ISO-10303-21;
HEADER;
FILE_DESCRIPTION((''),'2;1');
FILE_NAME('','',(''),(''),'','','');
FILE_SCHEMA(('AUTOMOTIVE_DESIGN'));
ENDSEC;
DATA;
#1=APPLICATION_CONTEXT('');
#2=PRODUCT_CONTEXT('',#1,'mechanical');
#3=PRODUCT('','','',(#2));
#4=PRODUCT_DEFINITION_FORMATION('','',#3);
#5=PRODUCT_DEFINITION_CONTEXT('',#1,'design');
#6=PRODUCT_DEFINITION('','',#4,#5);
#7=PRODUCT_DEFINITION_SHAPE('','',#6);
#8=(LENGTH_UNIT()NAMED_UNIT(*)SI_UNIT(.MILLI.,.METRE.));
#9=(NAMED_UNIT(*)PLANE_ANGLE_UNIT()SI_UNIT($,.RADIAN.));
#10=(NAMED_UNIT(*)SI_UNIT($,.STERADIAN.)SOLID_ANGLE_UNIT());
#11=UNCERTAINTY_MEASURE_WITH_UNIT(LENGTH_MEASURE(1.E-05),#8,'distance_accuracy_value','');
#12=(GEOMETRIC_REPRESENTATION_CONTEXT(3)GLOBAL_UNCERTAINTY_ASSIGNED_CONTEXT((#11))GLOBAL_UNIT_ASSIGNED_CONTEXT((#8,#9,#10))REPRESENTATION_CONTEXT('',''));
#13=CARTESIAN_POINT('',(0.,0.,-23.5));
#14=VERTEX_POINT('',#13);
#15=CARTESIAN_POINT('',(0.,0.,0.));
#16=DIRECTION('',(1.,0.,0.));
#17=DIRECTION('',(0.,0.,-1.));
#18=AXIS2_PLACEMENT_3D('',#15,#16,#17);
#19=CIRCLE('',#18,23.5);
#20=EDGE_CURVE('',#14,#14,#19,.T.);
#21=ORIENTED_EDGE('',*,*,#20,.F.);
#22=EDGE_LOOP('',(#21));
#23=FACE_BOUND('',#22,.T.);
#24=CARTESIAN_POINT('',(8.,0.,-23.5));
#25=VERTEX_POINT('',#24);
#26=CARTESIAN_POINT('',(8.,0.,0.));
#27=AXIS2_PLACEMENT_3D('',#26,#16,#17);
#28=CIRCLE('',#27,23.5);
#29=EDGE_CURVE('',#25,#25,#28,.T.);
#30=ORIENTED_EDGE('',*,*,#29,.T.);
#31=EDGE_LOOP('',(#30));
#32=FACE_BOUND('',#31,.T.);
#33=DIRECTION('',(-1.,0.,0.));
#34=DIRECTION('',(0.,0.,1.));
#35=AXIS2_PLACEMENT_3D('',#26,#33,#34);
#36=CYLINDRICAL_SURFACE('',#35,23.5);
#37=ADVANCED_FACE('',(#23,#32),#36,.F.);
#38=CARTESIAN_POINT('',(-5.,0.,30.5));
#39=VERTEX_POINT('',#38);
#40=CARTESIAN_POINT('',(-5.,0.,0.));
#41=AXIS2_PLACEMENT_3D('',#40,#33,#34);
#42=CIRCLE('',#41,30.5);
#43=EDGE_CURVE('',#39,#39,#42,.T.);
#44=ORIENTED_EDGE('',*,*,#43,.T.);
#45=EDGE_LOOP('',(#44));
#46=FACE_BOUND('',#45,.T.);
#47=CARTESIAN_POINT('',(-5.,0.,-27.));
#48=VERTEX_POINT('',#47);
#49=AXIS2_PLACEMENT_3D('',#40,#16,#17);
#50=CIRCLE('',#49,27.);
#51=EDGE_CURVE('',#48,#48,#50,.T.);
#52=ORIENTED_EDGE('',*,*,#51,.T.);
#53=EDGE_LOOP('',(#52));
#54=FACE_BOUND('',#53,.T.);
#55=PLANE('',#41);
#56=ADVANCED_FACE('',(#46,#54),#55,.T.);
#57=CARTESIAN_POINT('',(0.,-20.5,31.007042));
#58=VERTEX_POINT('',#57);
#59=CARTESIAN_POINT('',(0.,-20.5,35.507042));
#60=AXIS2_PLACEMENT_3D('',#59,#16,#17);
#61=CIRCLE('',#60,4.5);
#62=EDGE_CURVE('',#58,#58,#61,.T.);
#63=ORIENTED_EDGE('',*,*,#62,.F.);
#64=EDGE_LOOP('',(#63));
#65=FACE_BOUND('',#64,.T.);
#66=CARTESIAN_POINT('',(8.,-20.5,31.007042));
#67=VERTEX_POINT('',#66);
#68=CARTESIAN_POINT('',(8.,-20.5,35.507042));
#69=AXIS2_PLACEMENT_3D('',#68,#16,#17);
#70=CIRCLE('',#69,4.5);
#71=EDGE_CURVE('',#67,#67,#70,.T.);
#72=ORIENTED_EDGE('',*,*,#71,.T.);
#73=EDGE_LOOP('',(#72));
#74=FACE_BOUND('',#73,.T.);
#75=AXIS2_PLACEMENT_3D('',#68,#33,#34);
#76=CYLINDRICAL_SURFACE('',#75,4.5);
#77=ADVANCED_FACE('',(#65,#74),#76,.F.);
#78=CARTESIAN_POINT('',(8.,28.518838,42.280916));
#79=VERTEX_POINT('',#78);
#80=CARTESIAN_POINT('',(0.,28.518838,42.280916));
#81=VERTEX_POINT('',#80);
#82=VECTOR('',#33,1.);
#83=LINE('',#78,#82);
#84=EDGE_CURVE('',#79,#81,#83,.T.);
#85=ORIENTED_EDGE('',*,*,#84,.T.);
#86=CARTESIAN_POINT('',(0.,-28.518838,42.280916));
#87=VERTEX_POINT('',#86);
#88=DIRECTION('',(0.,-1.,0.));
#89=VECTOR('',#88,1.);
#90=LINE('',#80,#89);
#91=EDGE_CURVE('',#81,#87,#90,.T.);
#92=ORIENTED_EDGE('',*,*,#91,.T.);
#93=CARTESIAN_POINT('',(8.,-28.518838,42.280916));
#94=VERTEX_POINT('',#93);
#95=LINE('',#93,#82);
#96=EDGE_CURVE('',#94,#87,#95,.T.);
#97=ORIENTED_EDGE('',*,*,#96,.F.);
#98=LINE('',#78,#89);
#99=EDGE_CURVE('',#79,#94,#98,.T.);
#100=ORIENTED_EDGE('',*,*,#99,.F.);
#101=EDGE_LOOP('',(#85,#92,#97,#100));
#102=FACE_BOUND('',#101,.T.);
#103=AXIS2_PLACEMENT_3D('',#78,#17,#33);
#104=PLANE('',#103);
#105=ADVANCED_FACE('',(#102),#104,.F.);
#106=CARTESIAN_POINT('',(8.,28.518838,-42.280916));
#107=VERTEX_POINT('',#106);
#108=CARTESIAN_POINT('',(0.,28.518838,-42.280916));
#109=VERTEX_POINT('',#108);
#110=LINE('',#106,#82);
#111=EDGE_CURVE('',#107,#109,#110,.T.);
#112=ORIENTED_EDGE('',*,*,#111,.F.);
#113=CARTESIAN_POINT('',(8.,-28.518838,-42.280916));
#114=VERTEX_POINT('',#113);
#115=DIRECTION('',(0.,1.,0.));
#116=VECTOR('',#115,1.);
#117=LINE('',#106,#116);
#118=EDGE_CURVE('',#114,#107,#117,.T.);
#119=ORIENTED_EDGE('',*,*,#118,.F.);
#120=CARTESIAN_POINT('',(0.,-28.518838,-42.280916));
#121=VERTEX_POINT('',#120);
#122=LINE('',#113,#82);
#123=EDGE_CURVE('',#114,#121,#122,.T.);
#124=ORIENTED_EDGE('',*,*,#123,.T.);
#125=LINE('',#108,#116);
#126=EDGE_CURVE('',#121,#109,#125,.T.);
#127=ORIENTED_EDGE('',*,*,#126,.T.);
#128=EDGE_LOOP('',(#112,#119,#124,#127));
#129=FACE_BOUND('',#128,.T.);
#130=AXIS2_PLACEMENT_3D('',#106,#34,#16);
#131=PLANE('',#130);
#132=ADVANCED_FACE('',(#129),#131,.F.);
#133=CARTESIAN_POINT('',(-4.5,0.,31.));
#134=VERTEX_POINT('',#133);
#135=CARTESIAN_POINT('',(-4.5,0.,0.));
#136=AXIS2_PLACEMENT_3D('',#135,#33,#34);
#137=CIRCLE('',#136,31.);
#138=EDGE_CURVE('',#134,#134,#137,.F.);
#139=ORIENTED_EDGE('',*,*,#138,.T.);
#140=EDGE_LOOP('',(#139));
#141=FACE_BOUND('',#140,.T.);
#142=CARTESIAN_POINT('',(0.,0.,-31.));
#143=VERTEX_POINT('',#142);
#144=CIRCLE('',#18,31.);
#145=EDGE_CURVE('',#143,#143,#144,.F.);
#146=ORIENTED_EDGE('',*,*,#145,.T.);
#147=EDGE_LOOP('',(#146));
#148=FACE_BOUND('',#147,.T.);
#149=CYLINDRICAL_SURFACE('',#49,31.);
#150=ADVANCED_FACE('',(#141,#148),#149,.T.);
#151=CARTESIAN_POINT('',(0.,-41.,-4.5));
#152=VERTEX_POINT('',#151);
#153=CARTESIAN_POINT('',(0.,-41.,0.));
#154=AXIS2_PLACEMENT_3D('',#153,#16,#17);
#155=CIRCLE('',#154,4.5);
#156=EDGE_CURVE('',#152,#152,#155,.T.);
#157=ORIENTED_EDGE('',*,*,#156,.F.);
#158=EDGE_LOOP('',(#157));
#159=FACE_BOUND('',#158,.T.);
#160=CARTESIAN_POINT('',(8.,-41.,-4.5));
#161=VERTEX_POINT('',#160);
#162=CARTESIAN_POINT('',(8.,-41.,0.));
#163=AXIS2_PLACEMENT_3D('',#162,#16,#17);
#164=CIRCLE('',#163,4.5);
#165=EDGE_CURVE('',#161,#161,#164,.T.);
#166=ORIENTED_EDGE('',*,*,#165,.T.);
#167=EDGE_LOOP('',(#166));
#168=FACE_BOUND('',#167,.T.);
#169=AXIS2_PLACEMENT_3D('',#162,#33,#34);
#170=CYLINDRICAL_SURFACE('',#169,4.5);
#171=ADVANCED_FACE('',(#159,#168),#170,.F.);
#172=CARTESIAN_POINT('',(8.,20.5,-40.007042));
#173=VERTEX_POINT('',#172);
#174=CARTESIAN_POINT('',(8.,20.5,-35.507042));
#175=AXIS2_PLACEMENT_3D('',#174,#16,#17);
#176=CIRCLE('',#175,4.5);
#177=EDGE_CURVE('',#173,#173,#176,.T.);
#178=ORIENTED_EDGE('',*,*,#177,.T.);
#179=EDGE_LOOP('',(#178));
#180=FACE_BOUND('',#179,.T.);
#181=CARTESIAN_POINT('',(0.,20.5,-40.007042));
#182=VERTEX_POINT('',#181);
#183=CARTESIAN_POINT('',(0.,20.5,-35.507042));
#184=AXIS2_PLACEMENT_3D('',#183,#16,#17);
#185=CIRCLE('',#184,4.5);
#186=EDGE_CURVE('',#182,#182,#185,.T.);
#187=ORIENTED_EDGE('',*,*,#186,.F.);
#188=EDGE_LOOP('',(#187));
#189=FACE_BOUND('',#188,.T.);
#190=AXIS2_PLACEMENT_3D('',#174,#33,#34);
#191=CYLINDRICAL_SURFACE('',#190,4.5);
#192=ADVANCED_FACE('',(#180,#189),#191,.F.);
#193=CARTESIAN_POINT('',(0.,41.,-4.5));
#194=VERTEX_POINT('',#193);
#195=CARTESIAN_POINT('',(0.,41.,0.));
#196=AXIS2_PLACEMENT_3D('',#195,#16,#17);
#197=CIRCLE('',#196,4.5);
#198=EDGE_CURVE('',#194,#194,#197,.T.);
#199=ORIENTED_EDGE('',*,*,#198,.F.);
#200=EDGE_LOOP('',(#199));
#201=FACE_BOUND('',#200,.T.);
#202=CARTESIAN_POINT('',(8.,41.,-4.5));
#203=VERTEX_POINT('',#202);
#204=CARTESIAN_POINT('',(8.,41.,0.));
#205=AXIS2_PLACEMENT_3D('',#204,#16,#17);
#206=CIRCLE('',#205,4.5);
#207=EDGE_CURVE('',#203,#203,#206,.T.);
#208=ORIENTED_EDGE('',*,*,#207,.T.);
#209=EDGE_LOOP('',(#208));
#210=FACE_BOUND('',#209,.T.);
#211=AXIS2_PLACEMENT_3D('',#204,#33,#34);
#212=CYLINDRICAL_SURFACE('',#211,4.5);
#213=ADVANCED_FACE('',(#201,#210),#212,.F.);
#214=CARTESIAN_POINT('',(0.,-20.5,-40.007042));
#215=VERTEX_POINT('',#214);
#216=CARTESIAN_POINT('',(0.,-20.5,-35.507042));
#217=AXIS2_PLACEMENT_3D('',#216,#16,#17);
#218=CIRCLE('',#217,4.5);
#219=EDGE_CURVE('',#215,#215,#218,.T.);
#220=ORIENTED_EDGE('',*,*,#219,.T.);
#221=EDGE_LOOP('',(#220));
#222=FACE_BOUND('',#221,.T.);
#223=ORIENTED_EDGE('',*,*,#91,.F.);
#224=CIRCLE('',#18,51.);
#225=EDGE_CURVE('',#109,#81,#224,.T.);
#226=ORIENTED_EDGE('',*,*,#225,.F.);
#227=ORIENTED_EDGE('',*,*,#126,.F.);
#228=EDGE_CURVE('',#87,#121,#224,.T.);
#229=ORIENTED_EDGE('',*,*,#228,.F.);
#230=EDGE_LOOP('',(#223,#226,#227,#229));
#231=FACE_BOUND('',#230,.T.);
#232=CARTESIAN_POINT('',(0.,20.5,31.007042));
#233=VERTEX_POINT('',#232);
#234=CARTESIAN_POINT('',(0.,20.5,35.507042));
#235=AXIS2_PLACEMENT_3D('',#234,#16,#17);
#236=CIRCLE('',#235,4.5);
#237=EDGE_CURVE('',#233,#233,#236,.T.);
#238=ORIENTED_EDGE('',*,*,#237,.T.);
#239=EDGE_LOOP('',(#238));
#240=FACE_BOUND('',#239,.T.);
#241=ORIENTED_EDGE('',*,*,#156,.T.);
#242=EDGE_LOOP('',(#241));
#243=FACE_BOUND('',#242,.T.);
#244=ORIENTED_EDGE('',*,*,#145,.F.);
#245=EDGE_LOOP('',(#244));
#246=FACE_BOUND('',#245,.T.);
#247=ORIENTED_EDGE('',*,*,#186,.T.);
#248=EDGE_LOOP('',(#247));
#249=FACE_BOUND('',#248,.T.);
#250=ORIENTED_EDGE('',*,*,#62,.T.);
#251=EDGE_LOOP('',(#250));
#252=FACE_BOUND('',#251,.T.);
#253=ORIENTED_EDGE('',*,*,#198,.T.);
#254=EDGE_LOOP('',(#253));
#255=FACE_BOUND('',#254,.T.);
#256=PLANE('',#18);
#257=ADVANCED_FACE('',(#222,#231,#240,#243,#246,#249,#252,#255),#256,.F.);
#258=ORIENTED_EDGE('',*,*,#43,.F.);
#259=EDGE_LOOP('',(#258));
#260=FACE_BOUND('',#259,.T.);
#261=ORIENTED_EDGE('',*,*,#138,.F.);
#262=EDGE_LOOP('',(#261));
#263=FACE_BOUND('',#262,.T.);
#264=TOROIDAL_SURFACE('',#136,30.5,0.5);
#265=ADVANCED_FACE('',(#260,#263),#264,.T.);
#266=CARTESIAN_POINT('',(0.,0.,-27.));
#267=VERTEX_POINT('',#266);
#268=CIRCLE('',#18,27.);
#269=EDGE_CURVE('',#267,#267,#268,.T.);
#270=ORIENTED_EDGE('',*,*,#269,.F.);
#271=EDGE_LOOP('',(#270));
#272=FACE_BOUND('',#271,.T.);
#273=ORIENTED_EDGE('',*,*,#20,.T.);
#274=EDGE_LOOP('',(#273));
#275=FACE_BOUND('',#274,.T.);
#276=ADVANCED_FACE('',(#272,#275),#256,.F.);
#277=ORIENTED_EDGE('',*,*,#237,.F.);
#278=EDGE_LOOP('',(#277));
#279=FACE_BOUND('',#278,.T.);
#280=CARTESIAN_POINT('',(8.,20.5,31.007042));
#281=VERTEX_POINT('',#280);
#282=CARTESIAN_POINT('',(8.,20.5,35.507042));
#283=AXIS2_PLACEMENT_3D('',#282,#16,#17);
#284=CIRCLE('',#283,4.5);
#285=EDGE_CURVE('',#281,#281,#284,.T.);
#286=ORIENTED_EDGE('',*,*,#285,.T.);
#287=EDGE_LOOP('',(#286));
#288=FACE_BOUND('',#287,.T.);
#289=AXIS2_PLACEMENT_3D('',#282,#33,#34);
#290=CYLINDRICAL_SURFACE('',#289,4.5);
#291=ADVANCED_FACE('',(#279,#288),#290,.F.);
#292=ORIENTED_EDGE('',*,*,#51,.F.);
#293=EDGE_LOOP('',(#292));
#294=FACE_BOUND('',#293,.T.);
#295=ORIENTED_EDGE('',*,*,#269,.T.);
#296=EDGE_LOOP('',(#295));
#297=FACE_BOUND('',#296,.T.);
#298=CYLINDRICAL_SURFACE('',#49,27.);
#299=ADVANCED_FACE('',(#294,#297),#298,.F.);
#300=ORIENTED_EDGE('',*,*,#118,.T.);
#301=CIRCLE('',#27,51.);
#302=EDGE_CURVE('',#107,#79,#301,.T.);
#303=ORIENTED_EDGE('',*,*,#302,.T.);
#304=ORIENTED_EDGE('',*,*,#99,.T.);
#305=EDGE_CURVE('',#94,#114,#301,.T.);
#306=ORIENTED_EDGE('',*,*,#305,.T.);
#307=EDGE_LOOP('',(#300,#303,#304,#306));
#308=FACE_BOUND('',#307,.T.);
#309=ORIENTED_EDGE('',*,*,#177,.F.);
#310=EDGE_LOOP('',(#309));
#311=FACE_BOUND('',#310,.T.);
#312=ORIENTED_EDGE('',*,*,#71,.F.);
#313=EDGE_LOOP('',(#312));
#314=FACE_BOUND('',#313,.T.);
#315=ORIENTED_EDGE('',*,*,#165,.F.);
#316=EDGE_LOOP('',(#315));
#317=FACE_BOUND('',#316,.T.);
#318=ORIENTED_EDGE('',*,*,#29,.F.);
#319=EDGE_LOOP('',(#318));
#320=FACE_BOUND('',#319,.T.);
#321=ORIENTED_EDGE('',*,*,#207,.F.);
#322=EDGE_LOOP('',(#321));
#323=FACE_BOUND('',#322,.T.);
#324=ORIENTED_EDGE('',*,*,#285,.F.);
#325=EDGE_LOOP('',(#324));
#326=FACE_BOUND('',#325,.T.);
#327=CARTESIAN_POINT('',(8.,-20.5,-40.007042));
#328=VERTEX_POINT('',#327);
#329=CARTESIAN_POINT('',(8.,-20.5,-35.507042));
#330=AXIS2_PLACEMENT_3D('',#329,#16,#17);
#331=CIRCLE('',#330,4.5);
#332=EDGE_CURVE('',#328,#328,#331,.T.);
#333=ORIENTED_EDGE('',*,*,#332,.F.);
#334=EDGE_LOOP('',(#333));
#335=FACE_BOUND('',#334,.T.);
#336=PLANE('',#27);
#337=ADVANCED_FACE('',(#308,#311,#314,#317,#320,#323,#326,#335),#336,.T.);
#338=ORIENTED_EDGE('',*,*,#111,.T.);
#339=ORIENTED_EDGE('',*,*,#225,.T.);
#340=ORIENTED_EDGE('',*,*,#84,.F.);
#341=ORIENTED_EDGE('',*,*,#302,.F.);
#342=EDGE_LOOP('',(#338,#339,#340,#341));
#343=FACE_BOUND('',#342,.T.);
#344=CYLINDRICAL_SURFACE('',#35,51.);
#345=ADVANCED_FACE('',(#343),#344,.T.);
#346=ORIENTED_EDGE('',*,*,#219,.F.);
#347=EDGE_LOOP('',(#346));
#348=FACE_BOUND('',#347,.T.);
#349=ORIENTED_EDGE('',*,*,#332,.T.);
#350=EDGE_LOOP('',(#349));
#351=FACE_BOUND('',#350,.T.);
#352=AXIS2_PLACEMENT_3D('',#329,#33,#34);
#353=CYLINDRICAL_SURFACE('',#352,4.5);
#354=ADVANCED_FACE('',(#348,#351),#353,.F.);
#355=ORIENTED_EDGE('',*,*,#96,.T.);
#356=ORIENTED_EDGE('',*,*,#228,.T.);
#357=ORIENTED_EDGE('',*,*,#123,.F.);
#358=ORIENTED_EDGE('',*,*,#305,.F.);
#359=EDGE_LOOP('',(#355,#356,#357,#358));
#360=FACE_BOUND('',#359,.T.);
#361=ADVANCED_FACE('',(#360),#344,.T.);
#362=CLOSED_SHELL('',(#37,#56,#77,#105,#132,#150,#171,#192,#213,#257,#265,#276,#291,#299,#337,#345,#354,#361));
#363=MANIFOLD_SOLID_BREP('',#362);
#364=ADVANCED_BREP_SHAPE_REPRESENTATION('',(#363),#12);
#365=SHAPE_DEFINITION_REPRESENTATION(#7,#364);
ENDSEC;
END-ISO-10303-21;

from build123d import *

# Parameters (mm, degrees)
SKETCH_1_R          = 23.5
SKETCH_1_R_2        = 4.5
EXTRUDE_1_DEPTH     = 8
SKETCH_2_R          = 31
EXTRUDE_2_DEPTH     = 5
FILLET_1_R          = 0.5
SKETCH_3_R          = 27
CUT_EXTRUDE_1_DEPTH = 67.728373836


with BuildPart() as part:
    # 草图1 → 凸台-拉伸1 (new body)
    with BuildSketch(Plane(origin=(0, 0, 0), x_dir=(0, 0, -1), z_dir=(1, 0, 0))):
        with BuildLine():
            Line((42.2809162, 28.518838077), (42.2809162, -28.518838077))
            ThreePointArc((42.2809162, -28.518838077), (0, -51), (-42.2809162, -28.518838077))
            Line((-42.2809162, -28.518838077), (-42.2809162, 28.518838077))
            ThreePointArc((-42.2809162, 28.518838077), (0, 51), (42.2809162, 28.518838077))
        make_face()
        Circle(SKETCH_1_R, mode=Mode.SUBTRACT)
        with Locations((0, 41)):
            Circle(SKETCH_1_R_2, mode=Mode.SUBTRACT)
        with Locations((35.507041555, 20.5)):
            Circle(SKETCH_1_R_2, mode=Mode.SUBTRACT)
        with Locations((35.507041555, -20.5)):
            Circle(SKETCH_1_R_2, mode=Mode.SUBTRACT)
        with Locations((0, -41)):
            Circle(SKETCH_1_R_2, mode=Mode.SUBTRACT)
        with Locations((-35.507041555, -20.5)):
            Circle(SKETCH_1_R_2, mode=Mode.SUBTRACT)
        with Locations((-35.507041555, 20.5)):
            Circle(SKETCH_1_R_2, mode=Mode.SUBTRACT)
    extrude(amount=EXTRUDE_1_DEPTH)

    # 草图2 → 凸台-拉伸2 (add)
    with BuildSketch(Plane.ZY):
        with Locations(Location((0, 0, 0), (0, 0, 180))):
            Circle(SKETCH_2_R)
    extrude(amount=EXTRUDE_2_DEPTH)

    # 圆角1
    fillet_1_edges = [part.edges().sort_by_distance(p)[0] for p in [
        (-5, 0, 31),
    ]]
    fillet(fillet_1_edges, radius=FILLET_1_R)

    # 草图3 → 切除-拉伸1 (cut, through all)
    with BuildSketch(Plane(origin=(0, 0, 0), x_dir=(0, 0, -1), z_dir=(1, 0, 0))):
        Circle(SKETCH_3_R)
    extrude(amount=-CUT_EXTRUDE_1_DEPTH, mode=Mode.SUBTRACT)


solid = part.part
